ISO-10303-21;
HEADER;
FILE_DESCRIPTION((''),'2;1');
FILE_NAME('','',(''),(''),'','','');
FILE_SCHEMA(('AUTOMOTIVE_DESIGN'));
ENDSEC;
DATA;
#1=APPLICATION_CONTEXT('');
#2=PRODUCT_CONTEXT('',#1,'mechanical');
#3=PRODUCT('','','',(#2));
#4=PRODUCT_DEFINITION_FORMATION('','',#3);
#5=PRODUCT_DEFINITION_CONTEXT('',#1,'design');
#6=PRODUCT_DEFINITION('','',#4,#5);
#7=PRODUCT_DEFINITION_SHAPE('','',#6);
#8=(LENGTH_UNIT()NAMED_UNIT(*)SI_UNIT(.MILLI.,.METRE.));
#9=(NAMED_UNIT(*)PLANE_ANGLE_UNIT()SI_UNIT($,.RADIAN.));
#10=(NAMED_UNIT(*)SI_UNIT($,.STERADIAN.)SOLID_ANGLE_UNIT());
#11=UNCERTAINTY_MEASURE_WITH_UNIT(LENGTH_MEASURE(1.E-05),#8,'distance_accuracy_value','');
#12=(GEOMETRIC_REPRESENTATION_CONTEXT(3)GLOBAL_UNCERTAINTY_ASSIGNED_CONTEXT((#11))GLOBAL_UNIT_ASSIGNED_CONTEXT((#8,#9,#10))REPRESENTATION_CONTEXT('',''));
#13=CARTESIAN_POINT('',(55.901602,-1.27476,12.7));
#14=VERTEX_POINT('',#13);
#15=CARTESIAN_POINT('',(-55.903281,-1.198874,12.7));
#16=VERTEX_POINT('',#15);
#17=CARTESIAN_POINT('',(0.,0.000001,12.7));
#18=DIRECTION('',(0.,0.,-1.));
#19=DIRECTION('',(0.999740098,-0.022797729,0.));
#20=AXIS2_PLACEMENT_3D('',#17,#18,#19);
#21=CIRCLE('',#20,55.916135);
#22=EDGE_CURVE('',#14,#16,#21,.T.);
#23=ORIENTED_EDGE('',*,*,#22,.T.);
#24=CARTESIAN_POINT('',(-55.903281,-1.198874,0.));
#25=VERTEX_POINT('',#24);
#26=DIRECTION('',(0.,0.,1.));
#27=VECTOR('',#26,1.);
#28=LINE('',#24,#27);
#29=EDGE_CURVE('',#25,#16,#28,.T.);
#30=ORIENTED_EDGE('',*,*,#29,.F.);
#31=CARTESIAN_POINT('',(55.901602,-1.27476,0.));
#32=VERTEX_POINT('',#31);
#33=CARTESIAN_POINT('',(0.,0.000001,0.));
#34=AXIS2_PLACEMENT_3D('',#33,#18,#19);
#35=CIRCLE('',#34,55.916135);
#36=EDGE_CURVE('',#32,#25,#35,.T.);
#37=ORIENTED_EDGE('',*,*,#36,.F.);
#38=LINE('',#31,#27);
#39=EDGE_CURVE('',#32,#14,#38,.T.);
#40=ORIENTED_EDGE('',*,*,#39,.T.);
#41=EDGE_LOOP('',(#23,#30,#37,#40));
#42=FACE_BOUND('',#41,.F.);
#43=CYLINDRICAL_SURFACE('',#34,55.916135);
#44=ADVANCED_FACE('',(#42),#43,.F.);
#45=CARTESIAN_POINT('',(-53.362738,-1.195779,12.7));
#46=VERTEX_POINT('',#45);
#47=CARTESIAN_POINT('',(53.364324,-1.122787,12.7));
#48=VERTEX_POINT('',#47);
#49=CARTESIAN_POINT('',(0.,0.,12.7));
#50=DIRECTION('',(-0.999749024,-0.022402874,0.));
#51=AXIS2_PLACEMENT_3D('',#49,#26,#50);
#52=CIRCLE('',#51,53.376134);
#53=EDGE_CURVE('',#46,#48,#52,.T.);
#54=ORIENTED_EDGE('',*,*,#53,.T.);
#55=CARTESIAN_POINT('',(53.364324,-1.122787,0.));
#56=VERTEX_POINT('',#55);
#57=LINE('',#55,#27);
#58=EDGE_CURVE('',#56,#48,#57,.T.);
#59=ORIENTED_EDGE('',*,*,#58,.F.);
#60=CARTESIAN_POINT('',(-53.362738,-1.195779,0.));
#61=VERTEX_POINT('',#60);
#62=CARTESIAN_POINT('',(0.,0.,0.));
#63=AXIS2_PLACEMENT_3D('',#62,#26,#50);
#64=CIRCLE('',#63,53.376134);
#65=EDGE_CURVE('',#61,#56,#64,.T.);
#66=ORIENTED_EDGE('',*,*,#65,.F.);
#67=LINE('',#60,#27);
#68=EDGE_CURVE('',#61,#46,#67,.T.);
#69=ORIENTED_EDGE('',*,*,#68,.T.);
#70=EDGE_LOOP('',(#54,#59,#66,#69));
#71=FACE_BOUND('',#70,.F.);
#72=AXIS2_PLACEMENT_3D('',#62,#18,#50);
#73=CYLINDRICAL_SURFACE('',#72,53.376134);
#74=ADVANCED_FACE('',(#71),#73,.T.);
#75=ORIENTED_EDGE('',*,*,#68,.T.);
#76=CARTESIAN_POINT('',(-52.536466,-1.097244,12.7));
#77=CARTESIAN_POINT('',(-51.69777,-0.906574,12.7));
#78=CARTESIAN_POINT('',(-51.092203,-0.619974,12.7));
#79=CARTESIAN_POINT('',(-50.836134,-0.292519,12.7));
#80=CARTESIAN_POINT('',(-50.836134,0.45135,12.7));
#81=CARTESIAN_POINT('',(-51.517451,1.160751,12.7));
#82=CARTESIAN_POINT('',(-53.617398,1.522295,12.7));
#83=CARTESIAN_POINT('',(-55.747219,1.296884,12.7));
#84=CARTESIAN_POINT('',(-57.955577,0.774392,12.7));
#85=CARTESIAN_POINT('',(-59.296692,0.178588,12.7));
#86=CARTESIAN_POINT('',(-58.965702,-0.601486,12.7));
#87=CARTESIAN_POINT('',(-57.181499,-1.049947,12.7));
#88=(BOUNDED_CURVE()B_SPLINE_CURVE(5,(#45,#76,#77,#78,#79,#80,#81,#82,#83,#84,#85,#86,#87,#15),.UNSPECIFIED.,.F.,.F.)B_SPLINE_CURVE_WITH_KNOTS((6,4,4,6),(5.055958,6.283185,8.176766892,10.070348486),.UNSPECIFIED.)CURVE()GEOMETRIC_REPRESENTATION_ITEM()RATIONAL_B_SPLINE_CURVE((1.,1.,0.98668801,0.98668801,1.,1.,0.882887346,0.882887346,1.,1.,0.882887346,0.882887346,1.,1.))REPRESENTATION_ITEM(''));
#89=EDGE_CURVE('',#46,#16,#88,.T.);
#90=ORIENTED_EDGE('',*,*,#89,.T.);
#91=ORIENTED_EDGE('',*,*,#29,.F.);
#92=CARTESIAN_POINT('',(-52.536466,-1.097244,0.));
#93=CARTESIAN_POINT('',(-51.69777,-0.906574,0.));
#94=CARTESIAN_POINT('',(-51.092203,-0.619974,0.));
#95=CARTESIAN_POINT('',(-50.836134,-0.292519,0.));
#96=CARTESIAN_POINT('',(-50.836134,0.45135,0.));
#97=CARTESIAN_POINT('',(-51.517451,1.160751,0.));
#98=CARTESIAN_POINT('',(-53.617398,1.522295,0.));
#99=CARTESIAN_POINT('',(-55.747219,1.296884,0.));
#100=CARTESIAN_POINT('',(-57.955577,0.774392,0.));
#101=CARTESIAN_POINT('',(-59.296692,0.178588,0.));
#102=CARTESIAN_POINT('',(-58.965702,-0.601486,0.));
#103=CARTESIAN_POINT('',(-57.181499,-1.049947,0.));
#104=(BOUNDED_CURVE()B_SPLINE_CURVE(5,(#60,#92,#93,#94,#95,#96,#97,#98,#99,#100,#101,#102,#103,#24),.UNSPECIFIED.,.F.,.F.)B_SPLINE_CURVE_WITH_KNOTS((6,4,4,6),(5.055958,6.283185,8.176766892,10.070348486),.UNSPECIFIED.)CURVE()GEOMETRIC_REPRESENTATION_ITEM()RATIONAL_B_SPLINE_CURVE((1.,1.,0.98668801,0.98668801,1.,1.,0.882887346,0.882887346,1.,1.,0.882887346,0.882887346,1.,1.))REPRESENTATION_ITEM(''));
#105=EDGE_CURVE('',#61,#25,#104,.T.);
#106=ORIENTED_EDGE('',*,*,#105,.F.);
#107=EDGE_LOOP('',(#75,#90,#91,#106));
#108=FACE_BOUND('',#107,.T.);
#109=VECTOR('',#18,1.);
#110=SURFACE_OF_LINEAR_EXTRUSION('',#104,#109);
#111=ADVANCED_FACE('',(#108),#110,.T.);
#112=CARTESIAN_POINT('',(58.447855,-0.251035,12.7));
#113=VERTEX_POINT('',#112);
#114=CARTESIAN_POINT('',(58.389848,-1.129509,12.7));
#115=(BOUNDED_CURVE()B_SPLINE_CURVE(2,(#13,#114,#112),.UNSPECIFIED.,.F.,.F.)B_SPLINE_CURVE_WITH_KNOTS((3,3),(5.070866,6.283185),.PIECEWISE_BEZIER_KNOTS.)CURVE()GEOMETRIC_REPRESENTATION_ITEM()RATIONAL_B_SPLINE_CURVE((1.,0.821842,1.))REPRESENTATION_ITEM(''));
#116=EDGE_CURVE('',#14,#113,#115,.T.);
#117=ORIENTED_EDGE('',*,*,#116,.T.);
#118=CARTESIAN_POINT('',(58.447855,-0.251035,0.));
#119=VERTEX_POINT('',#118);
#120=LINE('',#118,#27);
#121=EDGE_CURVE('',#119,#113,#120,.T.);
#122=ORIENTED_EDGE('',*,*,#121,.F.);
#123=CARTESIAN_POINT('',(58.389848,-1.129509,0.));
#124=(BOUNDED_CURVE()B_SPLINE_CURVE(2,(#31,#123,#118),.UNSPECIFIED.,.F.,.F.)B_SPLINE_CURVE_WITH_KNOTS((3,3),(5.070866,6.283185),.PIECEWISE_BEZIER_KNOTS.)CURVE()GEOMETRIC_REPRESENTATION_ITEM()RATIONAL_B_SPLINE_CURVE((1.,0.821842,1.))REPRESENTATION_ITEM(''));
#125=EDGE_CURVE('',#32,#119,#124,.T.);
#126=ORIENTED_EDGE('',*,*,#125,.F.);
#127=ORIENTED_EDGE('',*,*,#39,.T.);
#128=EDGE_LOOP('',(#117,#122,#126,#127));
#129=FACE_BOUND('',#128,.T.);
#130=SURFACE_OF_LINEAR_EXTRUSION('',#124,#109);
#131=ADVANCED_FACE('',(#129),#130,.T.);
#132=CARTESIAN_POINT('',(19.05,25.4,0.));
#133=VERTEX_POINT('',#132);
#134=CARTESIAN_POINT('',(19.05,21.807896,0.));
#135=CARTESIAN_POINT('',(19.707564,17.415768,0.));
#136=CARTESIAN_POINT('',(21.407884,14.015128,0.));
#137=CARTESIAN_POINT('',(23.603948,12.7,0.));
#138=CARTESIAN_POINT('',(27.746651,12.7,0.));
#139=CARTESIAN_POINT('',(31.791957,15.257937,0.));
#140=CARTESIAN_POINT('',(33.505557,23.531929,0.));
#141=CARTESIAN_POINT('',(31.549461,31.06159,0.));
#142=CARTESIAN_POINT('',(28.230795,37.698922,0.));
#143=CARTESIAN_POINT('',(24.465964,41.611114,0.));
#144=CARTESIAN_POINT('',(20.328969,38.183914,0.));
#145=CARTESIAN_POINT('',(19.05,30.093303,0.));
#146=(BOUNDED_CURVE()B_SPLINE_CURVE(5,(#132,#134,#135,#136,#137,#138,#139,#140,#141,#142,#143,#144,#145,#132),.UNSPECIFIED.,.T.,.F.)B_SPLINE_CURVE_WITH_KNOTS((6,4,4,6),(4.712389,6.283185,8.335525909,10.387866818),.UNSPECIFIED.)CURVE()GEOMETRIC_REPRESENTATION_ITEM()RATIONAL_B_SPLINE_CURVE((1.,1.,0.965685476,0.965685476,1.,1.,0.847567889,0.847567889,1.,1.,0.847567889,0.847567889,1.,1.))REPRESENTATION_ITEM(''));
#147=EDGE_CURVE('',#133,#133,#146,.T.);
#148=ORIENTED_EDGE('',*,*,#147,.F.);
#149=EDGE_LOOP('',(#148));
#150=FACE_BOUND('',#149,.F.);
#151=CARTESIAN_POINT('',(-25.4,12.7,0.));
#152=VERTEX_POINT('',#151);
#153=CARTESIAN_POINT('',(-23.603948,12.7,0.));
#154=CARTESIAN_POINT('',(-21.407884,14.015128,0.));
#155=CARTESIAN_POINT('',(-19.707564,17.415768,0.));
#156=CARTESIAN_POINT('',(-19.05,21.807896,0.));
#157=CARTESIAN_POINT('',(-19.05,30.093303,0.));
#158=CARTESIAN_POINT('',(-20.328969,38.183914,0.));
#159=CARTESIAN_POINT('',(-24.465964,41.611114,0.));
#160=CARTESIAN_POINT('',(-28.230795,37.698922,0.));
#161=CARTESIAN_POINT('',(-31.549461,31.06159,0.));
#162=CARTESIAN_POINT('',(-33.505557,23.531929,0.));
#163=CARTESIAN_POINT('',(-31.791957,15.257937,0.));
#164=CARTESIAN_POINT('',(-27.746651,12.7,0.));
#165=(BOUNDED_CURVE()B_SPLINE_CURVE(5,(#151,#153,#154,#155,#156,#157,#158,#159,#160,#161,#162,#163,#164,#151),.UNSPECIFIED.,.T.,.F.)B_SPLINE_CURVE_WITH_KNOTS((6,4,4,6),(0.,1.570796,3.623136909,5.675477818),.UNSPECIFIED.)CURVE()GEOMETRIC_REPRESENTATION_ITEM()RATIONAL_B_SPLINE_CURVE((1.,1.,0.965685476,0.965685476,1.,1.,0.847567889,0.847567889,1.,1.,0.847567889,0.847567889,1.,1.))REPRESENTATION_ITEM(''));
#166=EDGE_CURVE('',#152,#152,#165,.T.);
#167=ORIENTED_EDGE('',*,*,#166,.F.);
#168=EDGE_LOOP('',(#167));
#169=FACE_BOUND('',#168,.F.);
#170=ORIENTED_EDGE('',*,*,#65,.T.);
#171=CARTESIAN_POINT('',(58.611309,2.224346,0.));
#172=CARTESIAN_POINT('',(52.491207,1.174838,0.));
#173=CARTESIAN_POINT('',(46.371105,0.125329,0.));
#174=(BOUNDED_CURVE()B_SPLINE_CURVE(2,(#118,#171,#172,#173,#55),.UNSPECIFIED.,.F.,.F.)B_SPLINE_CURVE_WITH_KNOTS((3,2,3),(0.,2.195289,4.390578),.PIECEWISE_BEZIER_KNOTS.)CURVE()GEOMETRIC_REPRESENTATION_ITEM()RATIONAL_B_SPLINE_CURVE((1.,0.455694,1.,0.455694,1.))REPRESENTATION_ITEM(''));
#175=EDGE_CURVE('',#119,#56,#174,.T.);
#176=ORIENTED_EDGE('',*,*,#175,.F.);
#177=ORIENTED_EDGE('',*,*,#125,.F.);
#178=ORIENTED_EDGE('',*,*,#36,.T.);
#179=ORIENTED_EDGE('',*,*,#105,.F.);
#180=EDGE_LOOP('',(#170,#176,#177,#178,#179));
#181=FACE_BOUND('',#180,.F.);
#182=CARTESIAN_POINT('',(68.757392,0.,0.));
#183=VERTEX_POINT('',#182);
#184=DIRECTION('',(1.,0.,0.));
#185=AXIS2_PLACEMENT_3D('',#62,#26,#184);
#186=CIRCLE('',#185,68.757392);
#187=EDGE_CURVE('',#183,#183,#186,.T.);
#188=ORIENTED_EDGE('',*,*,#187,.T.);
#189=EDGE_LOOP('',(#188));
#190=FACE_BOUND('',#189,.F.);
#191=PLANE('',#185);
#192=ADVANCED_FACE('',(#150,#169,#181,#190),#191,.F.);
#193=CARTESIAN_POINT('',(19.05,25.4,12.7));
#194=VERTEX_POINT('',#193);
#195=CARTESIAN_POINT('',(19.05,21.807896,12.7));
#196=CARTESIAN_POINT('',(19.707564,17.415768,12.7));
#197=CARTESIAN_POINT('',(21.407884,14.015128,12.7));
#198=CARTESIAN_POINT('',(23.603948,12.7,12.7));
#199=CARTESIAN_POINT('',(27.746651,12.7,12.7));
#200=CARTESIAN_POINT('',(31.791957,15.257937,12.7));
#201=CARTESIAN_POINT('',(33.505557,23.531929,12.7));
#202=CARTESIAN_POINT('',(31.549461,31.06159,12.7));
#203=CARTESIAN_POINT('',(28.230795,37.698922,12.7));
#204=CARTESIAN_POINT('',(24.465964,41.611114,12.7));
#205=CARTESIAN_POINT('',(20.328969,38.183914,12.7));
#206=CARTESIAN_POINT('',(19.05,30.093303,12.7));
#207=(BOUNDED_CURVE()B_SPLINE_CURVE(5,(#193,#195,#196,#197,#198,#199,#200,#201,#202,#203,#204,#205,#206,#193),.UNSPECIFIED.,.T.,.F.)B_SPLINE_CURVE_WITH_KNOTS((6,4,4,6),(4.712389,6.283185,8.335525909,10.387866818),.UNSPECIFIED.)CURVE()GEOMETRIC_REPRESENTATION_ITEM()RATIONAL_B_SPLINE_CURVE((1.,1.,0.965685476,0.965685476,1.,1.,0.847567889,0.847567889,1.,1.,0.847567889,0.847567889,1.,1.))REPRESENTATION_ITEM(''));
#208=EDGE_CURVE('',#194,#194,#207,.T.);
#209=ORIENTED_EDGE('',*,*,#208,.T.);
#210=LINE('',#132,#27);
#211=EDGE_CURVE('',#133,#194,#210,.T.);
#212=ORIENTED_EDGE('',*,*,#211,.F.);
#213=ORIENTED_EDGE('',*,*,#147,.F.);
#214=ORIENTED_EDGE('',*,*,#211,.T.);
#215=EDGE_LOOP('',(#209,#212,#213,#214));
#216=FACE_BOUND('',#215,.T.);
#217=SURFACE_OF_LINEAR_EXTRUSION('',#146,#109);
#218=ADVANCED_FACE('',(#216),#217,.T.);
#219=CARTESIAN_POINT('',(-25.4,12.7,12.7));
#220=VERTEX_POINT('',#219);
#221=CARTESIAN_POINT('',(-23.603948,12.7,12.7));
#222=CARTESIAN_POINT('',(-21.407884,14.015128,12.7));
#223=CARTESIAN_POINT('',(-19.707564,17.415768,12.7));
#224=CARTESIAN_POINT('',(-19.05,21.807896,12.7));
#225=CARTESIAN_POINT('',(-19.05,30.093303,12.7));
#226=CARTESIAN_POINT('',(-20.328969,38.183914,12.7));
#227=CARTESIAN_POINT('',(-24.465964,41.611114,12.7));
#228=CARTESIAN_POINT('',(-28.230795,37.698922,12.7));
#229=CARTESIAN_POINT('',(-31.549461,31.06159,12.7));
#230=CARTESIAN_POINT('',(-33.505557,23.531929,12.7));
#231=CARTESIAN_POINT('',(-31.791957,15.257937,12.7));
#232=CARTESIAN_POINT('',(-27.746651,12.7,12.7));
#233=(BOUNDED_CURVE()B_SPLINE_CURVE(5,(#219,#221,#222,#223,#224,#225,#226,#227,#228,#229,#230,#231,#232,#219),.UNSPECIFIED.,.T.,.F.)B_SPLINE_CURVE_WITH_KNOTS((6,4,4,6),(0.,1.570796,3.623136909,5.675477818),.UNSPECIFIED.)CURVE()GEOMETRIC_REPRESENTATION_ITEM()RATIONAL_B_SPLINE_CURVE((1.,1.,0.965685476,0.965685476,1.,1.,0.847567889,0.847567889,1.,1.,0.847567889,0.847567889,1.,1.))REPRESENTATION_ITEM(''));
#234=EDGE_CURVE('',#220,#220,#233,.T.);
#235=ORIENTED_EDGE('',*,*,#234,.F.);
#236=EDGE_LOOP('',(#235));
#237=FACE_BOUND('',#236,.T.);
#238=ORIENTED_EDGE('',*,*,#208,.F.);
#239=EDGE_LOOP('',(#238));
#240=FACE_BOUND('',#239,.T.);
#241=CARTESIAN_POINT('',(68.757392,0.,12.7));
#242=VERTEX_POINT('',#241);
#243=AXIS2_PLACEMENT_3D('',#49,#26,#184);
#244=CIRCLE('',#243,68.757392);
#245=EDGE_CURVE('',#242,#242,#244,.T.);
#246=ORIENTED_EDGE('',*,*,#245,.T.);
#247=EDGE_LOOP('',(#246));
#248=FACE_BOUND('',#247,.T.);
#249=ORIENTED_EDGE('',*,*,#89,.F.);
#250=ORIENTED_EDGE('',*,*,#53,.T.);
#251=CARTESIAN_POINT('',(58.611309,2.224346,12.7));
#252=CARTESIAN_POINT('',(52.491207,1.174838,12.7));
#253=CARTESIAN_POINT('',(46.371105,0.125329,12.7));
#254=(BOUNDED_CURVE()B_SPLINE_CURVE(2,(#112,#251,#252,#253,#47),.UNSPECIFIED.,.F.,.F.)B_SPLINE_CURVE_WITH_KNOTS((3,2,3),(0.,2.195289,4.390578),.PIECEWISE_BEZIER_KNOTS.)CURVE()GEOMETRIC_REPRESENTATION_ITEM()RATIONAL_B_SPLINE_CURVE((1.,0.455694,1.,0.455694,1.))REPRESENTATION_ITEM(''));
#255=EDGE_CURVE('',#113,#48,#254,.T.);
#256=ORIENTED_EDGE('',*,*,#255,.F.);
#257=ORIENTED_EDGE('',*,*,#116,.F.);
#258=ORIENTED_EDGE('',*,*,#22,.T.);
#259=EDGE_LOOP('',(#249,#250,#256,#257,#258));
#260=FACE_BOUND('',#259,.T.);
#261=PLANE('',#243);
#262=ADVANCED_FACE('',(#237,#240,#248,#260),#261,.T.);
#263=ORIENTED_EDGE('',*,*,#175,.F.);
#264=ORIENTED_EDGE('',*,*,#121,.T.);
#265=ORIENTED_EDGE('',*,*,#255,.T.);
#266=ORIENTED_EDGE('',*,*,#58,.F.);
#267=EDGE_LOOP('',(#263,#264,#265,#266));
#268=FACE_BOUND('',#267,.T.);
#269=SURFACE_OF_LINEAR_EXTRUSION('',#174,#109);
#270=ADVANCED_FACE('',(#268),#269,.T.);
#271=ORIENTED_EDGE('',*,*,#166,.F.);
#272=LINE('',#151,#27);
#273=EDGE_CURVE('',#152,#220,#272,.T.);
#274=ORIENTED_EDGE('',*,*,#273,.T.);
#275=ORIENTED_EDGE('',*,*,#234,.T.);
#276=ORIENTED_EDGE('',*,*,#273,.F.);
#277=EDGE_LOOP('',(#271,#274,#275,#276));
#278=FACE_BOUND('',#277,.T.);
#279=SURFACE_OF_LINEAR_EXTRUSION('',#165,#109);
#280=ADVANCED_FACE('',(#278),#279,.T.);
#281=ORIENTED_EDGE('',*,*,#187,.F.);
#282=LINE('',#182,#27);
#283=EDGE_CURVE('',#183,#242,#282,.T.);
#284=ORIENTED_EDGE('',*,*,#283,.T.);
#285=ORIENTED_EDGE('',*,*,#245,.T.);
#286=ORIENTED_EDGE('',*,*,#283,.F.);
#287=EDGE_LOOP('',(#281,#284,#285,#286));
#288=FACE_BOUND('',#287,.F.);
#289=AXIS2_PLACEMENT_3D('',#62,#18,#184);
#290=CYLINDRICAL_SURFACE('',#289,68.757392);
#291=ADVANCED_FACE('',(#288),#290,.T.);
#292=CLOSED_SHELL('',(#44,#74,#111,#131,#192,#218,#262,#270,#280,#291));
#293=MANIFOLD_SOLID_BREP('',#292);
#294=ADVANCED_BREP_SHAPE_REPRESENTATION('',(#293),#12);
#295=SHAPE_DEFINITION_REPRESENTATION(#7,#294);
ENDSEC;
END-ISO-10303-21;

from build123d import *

# Parameters (mm, degrees)
F0_R     = 68.757392
F1_DEPTH = 12.7


with BuildPart() as f1:
    # F0 (on Top) → F1 (new body)
    with BuildSketch(Plane.XY):
        Circle(F0_R)
        with BuildLine():
            ThreePointArc((55.901602, -1.27476), (-0.037952, -55.916121), (-55.903281, -1.198874))
            add(Edge.make_bspline(
                [(-50.836134, 0), (-50.836134, 2.458834), (-56.851398, 1.035638), (-62.866661, -0.387558), (-55.903281, -1.198874)],
                knots=[0, 0, 0, 2.188064, 2.188064, 4.376128, 4.376128, 4.376128], degree=2, weights=[1, 0.458907, 1, 0.458907, 1]))
            add(Edge.make_bspline(
                [(-53.362738, -1.195779), (-50.836134, -0.894476), (-50.836134, 0)],
                knots=[5.055958, 5.055958, 5.055958, 6.283185, 6.283185, 6.283185], degree=2, weights=[1, 0.817572, 1]))
            ThreePointArc((-53.362738, -1.195779), (0.036505, -53.376122), (53.364324, -1.122787))
            add(Edge.make_bspline(
                [(58.447855, -0.251035), (58.611309, 2.224346), (52.491207, 1.174838), (46.371105, 0.125329), (53.364324, -1.122787)],
                knots=[0, 0, 0, 2.195289, 2.195289, 4.390578, 4.390578, 4.390578], degree=2, weights=[1, 0.455694, 1, 0.455694, 1]))
            add(Edge.make_bspline(
                [(55.901602, -1.27476), (58.389848, -1.129509), (58.447855, -0.251035)],
                knots=[5.070866, 5.070866, 5.070866, 6.283185, 6.283185, 6.283185], degree=2, weights=[1, 0.821842, 1]))
        make_face(mode=Mode.SUBTRACT)
        with BuildLine():
            add(Edge.make_bspline(
                [(-19.05, 25.4), (-19.05, 56.060512), (-29.890128, 34.380256), (-40.730256, 12.7), (-25.4, 12.7)],
                knots=[1.570796, 1.570796, 1.570796, 3.926991, 3.926991, 6.283185, 6.283185, 6.283185], degree=2, weights=[1, 0.382683, 1, 0.382683, 1]))
            add(Edge.make_bspline(
                [(-25.4, 12.7), (-19.05, 12.7), (-19.05, 25.4)],
                knots=[0, 0, 0, 1.570796, 1.570796, 1.570796], degree=2, weights=[1, 0.707107, 1]))
        make_face(mode=Mode.SUBTRACT)
        with BuildLine():
            add(Edge.make_bspline(
                [(25.4, 12.7), (40.730256, 12.7), (29.890128, 34.380256), (19.05, 56.060512), (19.05, 25.4)],
                knots=[0, 0, 0, 2.356194, 2.356194, 4.712389, 4.712389, 4.712389], degree=2, weights=[1, 0.382683, 1, 0.382683, 1]))
            add(Edge.make_bspline(
                [(19.05, 25.4), (19.05, 12.7), (25.4, 12.7)],
                knots=[4.712389, 4.712389, 4.712389, 6.283185, 6.283185, 6.283185], degree=2, weights=[1, 0.707107, 1]))
        make_face(mode=Mode.SUBTRACT)
    extrude(amount=F1_DEPTH)


solid = f1.part
